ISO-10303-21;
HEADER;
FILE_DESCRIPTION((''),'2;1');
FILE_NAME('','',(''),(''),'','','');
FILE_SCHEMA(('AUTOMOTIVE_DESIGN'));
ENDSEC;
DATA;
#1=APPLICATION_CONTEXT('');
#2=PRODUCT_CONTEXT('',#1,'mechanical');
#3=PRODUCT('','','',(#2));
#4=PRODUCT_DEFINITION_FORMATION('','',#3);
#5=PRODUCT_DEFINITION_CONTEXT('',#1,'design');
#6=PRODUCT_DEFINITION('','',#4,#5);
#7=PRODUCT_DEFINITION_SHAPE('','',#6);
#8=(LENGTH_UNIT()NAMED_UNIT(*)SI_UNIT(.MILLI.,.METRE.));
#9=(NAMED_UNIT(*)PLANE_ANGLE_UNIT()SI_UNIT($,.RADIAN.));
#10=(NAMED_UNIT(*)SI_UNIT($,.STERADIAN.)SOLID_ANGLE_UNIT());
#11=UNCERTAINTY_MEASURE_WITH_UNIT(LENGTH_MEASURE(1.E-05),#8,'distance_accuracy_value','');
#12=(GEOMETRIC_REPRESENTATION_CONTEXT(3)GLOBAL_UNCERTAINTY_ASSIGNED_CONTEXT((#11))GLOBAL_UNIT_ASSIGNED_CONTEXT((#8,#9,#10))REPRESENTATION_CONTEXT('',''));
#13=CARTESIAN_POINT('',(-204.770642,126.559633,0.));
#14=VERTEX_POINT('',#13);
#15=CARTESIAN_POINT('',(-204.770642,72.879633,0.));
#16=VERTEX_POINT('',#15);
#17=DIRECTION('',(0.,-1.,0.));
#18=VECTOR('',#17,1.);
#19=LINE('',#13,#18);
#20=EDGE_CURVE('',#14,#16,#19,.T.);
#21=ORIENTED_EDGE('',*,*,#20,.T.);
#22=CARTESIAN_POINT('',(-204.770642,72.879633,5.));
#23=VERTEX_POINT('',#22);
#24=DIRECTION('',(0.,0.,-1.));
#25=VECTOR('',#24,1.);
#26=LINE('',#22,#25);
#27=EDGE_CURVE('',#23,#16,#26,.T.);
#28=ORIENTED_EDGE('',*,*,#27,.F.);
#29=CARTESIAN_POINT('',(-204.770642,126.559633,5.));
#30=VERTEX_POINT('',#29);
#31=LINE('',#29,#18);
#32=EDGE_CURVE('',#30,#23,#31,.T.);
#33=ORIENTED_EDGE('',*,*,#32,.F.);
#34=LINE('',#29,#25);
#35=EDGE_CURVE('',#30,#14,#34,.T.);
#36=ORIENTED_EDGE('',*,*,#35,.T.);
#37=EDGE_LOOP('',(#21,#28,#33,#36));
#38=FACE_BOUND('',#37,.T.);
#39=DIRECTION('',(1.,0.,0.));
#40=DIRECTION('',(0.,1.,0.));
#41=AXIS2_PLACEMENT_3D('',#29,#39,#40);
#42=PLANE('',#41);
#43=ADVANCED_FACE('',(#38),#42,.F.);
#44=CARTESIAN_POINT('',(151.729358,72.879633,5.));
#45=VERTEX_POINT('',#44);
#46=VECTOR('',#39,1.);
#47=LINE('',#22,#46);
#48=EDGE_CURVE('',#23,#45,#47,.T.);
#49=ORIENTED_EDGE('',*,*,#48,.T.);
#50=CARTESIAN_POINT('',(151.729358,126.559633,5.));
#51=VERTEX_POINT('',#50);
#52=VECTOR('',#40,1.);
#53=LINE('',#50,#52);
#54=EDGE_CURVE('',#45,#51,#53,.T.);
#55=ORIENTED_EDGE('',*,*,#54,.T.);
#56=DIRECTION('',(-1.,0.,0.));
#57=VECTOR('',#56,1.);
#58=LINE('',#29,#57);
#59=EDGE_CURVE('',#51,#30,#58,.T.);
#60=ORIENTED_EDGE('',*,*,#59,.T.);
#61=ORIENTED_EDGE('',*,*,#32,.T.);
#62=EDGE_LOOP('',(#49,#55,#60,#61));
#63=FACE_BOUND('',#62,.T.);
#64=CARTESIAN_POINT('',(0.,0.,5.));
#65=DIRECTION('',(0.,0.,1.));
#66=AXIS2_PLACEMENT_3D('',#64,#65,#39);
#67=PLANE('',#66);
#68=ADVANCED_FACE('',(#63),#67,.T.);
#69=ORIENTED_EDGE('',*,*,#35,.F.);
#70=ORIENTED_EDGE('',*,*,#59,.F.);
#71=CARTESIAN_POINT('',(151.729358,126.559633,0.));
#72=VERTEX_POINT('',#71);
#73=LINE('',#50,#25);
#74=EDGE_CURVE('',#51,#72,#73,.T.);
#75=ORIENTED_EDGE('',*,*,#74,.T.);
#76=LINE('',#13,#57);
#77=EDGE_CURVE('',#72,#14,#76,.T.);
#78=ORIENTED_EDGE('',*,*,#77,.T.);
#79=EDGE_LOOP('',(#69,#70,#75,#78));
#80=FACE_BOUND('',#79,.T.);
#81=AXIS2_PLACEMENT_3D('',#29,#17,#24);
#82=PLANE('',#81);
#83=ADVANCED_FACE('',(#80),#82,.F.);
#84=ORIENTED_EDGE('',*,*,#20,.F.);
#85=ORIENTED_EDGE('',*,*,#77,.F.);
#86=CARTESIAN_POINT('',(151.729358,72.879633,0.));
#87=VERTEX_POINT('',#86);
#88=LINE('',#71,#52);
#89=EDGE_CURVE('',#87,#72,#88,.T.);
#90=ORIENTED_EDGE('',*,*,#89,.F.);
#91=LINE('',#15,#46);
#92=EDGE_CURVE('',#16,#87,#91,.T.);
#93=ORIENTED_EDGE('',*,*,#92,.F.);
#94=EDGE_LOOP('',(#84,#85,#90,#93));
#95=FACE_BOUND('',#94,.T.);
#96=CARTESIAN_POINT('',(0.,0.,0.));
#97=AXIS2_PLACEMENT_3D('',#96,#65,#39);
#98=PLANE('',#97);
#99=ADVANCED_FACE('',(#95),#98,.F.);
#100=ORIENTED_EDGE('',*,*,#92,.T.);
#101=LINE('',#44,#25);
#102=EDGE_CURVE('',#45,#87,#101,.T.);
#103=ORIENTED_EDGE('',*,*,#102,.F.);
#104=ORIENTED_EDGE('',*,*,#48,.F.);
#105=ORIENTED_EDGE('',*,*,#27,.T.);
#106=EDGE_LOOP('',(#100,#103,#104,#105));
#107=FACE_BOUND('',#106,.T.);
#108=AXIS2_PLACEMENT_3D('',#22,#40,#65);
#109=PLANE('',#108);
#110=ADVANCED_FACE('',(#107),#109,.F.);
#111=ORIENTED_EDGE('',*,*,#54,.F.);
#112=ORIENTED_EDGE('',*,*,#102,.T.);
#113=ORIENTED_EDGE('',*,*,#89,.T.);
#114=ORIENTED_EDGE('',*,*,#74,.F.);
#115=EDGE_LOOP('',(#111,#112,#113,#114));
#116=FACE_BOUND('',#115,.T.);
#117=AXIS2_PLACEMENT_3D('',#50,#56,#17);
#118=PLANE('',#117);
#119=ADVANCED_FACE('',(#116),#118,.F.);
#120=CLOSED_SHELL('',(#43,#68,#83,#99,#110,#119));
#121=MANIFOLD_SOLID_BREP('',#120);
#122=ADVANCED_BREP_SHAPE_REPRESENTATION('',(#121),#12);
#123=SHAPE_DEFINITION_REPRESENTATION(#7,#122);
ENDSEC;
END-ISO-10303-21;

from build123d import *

# Parameters (mm, degrees)
ESQUISSE1_W        = 356.5
ESQUISSE1_H        = 53.68
BOSS_EXTRU_4_DEPTH = 5


with BuildPart() as part:
    # Esquisse1 → Boss.-Extru.4 (new body)
    with BuildSketch(Plane.XY):
        with Locations((-26.520642202, 99.719633028)):
            Rectangle(ESQUISSE1_W, ESQUISSE1_H)
    extrude(amount=BOSS_EXTRU_4_DEPTH)


solid = part.part
